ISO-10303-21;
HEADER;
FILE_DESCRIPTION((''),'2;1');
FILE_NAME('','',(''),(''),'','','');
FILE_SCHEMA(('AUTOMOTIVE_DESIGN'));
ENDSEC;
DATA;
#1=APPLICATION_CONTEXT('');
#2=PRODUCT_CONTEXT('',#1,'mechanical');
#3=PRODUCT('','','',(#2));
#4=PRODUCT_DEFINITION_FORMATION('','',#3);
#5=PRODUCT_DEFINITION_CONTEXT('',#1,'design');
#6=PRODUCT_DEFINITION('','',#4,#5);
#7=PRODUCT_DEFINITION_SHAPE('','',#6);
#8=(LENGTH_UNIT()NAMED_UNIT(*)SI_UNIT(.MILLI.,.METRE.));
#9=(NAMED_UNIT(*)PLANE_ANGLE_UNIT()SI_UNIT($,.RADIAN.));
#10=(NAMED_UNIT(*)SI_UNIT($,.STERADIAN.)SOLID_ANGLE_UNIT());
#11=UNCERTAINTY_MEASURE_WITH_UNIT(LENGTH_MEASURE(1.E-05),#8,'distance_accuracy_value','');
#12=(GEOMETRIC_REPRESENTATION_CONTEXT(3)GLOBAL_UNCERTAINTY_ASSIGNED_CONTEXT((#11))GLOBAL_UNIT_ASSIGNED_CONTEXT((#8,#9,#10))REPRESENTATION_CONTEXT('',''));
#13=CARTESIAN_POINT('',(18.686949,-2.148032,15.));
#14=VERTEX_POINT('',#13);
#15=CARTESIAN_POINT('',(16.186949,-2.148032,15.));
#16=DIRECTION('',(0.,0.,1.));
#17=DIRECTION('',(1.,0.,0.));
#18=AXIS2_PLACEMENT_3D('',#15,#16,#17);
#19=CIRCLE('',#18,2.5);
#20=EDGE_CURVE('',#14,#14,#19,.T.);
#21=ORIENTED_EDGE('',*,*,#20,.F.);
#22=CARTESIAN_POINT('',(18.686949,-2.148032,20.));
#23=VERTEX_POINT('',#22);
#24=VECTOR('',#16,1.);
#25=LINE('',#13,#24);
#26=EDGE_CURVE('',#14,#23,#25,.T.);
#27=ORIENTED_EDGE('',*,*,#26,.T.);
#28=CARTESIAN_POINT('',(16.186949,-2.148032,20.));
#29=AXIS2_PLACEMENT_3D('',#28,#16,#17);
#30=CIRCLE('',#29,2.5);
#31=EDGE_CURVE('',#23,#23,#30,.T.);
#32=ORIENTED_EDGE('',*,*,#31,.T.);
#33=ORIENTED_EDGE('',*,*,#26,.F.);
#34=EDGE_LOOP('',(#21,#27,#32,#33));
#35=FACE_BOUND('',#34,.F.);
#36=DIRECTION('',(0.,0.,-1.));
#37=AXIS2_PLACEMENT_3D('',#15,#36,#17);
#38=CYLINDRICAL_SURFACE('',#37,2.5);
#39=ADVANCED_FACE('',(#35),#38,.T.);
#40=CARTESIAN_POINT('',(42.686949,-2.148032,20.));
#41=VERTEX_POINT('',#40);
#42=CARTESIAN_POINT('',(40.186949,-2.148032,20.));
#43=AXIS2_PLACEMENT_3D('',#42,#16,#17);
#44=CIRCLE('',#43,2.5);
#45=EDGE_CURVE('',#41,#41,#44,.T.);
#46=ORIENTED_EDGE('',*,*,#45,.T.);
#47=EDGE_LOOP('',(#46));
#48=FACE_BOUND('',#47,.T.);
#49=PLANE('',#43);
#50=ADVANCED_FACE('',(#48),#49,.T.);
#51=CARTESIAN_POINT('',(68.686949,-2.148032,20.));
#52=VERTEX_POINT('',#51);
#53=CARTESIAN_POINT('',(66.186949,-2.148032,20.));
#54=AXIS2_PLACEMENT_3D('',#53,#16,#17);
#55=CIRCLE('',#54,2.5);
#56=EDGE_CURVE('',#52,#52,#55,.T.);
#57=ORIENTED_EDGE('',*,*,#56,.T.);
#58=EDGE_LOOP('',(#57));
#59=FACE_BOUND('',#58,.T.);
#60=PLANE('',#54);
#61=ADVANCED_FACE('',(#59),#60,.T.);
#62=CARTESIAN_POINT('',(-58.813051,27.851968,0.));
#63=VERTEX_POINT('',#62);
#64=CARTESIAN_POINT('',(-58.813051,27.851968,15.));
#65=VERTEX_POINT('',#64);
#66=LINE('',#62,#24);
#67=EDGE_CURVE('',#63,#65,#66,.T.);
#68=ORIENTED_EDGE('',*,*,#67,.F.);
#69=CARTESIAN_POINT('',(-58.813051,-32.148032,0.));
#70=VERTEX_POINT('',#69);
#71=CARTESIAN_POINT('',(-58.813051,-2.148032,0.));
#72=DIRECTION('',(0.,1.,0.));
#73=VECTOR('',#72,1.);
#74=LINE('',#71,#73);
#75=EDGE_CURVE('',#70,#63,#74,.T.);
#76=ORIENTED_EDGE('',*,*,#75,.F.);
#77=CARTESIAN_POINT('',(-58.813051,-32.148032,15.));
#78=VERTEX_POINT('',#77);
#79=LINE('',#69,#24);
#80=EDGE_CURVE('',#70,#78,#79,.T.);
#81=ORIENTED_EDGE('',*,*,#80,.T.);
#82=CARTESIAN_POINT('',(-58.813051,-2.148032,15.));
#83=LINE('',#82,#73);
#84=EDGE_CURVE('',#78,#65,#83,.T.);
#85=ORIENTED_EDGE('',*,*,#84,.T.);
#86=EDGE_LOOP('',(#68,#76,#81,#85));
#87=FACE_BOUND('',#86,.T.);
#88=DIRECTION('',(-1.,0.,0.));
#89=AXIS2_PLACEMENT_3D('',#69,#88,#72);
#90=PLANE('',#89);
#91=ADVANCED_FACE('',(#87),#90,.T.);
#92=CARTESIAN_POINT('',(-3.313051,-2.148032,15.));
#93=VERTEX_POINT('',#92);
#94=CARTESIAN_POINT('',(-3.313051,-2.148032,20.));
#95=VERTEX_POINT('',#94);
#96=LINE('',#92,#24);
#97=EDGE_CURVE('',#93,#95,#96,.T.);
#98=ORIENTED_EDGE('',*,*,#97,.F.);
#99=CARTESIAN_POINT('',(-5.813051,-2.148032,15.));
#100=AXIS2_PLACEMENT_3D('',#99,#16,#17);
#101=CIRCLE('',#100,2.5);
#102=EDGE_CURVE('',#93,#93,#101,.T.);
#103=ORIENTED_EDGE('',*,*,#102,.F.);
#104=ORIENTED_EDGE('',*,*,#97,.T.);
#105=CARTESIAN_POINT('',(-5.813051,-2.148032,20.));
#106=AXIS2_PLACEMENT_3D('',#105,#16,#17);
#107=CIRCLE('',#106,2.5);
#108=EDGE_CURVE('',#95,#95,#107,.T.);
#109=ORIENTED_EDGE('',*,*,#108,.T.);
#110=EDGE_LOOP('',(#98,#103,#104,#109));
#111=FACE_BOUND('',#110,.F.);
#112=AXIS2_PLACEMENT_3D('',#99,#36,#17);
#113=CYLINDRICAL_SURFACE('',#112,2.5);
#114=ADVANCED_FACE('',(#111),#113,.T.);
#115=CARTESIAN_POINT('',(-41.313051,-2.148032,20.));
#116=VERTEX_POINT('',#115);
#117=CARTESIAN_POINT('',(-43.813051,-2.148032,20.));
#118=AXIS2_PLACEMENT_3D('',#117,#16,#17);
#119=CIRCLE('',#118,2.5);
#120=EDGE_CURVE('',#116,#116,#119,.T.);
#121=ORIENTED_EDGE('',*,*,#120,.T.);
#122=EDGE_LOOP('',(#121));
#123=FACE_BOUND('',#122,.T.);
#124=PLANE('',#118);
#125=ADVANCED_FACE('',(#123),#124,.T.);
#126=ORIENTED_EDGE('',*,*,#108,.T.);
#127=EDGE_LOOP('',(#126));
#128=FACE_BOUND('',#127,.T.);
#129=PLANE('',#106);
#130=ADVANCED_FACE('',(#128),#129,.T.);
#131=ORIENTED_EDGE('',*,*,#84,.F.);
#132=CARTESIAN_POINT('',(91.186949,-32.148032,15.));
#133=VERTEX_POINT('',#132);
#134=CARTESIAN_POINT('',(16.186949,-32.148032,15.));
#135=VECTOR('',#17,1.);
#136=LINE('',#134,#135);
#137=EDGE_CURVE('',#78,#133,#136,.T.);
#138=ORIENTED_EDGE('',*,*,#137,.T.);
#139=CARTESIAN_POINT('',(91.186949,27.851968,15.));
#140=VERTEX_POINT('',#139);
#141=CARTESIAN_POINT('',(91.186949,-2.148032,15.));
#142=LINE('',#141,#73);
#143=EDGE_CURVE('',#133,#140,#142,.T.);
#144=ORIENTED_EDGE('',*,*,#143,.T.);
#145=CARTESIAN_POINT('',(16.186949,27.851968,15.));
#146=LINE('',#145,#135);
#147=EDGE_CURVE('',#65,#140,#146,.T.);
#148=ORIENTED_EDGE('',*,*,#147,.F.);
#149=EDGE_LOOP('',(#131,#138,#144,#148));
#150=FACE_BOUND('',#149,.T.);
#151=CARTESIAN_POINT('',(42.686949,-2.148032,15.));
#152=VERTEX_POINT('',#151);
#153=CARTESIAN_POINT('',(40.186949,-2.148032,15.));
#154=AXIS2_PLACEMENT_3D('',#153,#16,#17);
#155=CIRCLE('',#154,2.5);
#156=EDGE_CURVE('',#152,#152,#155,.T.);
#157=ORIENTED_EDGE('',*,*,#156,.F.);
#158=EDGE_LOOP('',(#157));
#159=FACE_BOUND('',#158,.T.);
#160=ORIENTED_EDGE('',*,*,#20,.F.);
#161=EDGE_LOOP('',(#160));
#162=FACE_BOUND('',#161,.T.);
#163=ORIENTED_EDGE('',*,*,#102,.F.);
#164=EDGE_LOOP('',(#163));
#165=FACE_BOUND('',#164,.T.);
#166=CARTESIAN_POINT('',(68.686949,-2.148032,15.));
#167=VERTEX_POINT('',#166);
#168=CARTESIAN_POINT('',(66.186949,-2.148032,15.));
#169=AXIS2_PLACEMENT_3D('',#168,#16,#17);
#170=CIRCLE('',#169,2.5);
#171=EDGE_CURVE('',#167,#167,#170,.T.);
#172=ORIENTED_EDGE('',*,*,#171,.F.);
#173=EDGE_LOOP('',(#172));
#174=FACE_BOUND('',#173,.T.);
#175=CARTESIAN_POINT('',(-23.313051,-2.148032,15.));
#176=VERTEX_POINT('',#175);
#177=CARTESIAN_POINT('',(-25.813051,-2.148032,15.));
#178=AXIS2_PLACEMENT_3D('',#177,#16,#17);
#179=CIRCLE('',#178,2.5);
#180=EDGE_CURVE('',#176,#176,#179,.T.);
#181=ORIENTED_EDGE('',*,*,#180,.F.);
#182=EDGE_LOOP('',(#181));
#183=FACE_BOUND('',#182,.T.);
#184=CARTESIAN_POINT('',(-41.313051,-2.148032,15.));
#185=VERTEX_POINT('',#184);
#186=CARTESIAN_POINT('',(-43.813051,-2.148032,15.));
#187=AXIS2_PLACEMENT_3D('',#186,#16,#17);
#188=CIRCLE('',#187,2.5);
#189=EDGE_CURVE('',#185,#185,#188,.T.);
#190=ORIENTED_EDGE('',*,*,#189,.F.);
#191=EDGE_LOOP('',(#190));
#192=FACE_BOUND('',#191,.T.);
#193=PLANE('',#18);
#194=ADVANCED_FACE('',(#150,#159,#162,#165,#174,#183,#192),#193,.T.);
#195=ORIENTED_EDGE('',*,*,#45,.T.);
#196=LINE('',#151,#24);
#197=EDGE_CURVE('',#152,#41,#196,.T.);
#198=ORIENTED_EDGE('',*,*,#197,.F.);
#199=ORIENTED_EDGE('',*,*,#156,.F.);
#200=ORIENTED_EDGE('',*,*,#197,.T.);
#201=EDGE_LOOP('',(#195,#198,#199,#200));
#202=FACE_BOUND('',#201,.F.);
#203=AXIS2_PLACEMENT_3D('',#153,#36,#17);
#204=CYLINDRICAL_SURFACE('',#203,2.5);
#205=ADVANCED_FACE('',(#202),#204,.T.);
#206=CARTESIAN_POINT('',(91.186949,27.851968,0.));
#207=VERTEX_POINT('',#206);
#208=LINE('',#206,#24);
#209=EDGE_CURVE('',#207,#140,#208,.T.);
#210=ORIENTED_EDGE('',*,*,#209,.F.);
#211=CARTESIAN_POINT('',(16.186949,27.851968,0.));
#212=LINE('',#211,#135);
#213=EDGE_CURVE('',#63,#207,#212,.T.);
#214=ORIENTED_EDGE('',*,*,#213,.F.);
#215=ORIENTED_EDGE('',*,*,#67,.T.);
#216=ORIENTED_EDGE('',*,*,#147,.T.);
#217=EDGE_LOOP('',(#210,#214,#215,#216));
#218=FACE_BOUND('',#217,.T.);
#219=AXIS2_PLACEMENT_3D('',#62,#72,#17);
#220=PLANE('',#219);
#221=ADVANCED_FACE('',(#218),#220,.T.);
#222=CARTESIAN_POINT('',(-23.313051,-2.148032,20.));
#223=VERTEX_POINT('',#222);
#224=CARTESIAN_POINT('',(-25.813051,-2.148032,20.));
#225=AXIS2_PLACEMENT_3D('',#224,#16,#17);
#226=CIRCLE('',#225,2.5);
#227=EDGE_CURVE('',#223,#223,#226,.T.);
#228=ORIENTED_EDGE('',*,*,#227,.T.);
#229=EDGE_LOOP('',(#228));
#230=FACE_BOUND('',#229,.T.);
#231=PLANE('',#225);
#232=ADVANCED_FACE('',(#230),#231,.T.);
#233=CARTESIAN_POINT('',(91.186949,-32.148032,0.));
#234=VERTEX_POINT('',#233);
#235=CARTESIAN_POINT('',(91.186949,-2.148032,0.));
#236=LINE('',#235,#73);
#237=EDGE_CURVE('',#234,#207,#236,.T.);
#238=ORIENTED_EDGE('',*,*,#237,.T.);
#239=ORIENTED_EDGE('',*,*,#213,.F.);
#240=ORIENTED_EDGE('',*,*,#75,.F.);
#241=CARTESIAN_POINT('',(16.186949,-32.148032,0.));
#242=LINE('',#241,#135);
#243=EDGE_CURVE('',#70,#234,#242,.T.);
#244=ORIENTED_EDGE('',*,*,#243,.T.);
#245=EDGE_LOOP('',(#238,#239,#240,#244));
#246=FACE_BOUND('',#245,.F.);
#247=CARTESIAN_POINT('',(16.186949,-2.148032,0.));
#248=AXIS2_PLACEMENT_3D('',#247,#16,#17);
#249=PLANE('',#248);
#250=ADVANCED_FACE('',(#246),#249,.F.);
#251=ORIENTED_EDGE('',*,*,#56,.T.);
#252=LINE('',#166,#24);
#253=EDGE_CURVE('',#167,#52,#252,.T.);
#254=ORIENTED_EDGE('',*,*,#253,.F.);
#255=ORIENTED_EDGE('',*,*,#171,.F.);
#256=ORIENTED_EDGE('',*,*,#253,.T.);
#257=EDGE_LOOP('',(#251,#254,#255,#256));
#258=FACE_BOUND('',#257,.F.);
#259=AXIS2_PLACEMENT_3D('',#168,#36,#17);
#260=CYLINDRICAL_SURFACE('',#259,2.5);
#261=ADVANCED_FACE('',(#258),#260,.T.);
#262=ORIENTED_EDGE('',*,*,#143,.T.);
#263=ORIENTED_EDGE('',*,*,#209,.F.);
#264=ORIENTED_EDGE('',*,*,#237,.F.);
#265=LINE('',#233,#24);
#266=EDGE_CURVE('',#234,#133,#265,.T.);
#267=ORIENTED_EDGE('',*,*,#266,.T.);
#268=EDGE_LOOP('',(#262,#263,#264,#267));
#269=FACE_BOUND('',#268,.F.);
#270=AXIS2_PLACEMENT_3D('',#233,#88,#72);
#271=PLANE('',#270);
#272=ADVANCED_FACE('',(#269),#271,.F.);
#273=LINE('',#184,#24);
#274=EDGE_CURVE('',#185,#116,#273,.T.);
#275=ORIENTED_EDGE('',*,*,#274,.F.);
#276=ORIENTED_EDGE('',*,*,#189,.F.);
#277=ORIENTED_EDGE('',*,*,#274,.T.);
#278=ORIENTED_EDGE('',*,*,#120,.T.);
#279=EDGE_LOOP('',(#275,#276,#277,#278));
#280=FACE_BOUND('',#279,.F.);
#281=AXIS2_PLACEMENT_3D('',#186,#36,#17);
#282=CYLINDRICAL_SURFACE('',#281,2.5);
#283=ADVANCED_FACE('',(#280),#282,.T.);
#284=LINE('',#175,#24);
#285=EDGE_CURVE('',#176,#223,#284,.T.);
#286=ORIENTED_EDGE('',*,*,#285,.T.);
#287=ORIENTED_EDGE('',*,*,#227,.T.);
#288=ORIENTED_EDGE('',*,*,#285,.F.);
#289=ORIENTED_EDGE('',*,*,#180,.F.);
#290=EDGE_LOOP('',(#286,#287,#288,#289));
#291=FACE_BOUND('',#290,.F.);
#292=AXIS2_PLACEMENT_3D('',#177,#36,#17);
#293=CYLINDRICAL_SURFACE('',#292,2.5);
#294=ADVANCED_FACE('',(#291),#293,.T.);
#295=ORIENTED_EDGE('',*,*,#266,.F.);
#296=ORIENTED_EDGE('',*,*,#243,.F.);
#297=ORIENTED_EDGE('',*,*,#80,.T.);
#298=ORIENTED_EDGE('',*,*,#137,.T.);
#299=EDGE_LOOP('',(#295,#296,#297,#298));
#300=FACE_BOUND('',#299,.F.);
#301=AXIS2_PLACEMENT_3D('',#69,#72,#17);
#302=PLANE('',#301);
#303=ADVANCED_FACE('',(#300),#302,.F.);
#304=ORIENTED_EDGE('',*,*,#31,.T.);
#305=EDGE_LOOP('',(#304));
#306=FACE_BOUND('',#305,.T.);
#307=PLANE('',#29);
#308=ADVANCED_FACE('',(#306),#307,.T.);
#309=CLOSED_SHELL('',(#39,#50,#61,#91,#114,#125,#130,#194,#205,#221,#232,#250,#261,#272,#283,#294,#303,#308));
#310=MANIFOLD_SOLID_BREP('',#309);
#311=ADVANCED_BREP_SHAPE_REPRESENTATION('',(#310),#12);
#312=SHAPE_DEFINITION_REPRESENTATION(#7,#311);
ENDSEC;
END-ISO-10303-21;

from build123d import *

# Parameters (mm, degrees)
F0_W     = 150
F0_H     = 60
F1_DEPTH = 15
F2_R     = 2.5
F3_DEPTH = 5


with BuildPart() as f1:
    # F0 (on Top) → F1 (new body)
    with BuildSketch(Plane.XY):
        with Locations((16.186949, -2.148032)):
            Rectangle(F0_W, F0_H)
    extrude(amount=F1_DEPTH)

    # F2 (on face) → F3 (join)
    with BuildSketch(Plane.XY.offset(15)):
        with Locations((-43.813051, -2.148032)):
            Circle(F2_R)
        with Locations((-25.813051, -2.148032)):
            Circle(F2_R)
        with Locations((-5.813051, -2.148032)):
            Circle(F2_R)
        with Locations((16.186949, -2.148032)):
            Circle(F2_R)
        with Locations((40.186949, -2.148032)):
            Circle(F2_R)
        with Locations((66.186949, -2.148032)):
            Circle(F2_R)
    extrude(amount=F3_DEPTH)


solid = f1.part
